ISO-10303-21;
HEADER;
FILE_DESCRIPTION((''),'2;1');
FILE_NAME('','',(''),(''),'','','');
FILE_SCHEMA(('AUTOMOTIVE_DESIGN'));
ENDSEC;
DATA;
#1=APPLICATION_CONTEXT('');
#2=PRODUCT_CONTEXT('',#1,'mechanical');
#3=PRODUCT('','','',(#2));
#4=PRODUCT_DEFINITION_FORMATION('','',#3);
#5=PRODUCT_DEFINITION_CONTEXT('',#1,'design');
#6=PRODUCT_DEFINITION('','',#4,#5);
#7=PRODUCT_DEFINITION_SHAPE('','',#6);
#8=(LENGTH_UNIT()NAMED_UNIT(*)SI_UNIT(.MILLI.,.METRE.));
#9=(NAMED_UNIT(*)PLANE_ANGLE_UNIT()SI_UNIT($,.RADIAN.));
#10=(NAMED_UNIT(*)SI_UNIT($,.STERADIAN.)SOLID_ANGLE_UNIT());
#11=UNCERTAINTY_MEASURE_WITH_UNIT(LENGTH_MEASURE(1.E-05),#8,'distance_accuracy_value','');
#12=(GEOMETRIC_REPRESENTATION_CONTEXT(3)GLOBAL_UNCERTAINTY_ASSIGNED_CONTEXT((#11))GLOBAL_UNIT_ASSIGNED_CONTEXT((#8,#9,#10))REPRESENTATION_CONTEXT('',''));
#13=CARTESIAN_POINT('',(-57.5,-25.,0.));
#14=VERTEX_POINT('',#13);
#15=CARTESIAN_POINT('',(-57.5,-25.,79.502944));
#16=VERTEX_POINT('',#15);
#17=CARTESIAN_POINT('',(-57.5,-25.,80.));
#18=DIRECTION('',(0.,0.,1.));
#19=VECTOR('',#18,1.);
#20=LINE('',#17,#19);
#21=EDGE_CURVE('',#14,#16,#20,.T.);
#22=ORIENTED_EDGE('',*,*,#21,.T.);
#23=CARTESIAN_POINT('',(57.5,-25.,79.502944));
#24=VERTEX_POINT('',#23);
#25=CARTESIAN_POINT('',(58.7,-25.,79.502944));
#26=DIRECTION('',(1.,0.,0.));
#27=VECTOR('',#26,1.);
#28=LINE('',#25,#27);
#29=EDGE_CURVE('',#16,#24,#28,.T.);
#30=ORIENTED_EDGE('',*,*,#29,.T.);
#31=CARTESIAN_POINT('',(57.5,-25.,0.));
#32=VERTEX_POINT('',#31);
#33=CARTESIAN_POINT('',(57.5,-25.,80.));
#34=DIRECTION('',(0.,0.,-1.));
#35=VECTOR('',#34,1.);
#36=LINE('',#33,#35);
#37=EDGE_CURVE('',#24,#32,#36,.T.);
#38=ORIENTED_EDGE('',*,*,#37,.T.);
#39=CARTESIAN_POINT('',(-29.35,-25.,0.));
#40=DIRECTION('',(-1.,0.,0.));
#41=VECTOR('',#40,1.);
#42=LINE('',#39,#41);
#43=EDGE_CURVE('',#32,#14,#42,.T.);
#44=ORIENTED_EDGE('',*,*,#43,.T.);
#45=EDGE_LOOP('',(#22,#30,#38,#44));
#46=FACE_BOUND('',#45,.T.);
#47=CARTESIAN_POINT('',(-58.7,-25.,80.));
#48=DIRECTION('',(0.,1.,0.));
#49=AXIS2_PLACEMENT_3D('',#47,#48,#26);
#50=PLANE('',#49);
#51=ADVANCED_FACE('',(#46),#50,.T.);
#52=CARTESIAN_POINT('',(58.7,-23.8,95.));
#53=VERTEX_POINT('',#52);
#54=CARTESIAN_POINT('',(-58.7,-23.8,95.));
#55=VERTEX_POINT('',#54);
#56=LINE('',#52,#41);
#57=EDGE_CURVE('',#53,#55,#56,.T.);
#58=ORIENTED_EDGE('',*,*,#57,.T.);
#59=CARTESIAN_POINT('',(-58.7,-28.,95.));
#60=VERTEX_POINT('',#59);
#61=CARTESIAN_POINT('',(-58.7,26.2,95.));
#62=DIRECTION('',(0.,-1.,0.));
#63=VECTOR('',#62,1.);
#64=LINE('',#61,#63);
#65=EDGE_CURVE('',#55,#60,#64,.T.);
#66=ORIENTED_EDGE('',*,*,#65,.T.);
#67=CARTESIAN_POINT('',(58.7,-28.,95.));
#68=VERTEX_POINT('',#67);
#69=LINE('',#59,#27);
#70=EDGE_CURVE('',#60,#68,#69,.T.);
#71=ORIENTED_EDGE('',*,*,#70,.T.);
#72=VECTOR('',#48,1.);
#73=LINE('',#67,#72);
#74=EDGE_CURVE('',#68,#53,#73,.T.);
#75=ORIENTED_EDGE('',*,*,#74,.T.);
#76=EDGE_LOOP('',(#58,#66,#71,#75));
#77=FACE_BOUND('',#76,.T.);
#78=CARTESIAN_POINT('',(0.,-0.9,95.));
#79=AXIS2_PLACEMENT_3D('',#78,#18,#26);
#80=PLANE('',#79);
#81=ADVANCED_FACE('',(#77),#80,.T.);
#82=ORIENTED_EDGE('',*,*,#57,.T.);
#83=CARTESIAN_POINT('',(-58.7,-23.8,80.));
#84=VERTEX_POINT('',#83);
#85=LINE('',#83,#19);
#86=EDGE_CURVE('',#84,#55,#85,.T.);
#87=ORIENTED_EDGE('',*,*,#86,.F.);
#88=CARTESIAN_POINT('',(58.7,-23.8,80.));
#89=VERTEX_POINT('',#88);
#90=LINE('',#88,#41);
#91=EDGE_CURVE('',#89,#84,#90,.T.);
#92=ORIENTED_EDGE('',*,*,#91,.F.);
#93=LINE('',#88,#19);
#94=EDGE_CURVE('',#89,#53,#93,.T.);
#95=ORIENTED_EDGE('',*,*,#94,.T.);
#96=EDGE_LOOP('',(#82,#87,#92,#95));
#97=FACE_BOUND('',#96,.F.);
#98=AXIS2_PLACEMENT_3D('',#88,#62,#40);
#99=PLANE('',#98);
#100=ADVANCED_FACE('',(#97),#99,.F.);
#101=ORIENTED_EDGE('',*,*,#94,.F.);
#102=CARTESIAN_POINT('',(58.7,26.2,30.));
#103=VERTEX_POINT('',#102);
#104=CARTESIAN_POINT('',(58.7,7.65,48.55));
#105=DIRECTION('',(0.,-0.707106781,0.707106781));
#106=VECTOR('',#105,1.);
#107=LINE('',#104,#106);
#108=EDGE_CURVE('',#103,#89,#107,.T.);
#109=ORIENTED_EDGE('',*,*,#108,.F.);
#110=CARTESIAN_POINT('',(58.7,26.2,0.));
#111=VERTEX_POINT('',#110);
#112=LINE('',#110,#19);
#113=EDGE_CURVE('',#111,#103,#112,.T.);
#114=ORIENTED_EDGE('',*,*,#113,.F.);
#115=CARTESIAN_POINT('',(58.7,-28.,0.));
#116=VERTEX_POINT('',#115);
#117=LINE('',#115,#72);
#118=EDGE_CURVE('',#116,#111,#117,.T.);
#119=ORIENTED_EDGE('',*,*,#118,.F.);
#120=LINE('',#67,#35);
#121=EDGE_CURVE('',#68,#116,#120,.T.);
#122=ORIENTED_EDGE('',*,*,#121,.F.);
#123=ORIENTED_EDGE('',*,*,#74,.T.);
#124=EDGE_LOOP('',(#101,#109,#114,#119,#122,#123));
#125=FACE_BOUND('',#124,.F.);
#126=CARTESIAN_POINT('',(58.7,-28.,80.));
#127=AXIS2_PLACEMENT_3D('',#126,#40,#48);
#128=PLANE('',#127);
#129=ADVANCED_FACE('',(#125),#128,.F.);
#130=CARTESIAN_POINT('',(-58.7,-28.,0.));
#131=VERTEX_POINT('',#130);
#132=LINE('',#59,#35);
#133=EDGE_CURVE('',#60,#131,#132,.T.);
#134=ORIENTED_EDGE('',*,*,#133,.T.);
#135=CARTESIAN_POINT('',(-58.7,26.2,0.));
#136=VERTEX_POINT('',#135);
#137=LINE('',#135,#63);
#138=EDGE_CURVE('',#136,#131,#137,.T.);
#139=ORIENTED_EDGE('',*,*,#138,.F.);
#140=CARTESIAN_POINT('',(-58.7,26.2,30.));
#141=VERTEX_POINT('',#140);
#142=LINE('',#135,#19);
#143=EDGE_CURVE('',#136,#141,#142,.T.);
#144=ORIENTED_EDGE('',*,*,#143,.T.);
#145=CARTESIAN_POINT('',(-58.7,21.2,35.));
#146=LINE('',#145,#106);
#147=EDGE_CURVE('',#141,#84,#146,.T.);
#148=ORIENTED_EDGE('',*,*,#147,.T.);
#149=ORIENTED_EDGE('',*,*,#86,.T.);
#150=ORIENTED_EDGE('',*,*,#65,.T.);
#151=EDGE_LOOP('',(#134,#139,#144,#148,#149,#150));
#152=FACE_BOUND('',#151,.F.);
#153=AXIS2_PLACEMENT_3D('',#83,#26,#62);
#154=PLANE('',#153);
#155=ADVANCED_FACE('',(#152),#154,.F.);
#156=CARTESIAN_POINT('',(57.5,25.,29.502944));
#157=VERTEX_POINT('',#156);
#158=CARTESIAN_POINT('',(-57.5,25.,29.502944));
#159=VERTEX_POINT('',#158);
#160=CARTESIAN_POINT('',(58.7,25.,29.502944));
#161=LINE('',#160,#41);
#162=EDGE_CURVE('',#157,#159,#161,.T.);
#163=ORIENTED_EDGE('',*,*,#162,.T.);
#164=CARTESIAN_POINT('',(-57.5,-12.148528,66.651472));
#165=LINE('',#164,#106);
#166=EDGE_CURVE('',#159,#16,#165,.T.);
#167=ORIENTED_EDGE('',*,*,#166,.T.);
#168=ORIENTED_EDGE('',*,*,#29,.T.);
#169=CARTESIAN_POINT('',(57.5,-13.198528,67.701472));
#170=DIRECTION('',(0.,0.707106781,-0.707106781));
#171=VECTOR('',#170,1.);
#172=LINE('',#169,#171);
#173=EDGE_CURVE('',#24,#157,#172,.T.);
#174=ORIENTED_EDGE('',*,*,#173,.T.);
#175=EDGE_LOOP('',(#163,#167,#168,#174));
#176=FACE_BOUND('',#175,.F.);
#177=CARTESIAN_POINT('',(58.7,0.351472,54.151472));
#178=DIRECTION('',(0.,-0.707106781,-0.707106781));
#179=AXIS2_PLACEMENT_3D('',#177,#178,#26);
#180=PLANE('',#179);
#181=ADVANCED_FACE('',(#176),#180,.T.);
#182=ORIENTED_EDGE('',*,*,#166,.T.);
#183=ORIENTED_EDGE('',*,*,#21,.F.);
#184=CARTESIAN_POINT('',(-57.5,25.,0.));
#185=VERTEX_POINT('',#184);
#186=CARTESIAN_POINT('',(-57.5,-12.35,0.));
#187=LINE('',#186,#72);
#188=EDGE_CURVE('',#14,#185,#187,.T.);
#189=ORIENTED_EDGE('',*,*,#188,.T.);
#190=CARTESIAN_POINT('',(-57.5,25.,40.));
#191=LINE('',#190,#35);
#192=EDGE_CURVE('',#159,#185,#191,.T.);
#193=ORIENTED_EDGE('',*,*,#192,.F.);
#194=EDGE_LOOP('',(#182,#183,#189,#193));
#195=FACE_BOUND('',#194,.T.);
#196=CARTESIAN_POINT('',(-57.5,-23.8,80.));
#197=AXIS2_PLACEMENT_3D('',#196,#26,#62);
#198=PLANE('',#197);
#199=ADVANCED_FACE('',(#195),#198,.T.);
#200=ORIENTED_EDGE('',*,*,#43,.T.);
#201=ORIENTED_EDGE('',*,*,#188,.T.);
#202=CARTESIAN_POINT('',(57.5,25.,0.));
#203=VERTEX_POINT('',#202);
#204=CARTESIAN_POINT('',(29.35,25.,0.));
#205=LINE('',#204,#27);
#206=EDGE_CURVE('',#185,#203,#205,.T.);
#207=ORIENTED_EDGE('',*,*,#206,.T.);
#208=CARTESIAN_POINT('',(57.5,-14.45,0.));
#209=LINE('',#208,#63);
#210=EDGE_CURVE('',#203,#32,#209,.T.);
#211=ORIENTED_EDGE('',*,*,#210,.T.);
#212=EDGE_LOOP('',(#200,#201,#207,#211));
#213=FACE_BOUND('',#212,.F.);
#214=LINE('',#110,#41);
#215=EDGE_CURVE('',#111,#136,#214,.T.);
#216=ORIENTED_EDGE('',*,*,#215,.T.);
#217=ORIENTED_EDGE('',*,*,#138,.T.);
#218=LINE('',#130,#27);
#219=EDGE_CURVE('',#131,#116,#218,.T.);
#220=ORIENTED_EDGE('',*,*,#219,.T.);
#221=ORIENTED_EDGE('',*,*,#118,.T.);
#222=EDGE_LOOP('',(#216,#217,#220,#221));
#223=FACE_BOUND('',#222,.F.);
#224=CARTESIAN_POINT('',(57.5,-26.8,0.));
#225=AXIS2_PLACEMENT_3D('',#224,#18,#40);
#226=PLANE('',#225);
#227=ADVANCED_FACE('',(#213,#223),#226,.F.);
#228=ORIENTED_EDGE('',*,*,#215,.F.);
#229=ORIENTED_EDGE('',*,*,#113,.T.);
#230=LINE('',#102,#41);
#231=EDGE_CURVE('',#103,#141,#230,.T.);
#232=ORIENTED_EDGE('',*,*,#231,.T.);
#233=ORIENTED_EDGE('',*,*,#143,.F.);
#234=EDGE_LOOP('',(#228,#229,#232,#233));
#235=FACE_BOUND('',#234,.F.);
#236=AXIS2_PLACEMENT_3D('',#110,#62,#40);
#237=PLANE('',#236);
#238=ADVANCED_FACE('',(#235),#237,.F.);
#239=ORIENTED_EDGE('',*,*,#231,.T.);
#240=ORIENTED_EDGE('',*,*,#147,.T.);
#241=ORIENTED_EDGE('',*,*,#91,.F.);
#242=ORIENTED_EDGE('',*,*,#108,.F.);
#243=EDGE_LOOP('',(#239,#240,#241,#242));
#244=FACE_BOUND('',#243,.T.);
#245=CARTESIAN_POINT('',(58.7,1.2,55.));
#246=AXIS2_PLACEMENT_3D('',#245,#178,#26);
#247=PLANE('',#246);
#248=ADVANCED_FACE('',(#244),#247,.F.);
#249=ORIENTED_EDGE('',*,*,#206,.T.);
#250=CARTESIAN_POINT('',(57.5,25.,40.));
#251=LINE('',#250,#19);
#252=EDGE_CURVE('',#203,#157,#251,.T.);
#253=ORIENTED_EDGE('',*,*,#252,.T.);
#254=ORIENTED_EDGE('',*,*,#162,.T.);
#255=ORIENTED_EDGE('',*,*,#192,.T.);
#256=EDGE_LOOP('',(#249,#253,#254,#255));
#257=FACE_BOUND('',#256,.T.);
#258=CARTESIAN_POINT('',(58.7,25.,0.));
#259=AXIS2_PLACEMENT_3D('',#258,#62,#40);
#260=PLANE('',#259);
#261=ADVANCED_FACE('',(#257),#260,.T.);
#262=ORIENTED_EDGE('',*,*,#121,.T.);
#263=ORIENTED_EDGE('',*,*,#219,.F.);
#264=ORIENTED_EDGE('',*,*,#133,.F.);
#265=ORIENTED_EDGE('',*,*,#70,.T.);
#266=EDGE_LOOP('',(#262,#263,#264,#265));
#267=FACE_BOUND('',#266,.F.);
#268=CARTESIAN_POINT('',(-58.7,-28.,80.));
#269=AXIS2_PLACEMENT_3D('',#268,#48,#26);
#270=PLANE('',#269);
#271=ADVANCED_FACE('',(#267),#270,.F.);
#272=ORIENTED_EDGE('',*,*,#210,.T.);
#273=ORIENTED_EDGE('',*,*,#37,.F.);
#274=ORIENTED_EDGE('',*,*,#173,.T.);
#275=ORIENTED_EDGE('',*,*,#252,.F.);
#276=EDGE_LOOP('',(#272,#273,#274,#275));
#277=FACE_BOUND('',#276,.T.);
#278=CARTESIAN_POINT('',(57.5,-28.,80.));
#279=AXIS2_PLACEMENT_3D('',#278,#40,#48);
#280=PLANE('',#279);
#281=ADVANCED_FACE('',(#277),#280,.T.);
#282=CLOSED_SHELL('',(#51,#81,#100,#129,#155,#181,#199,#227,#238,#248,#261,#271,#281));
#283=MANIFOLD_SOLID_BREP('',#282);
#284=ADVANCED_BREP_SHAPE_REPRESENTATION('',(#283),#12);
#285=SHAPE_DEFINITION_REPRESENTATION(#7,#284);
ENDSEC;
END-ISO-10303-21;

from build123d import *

# Parameters (mm, degrees)
F0_W     = 115
F0_H     = 50
F1_DEPTH = 80
F2_SIZE  = 50
F3_DEPTH = 15
F4_T     = -1.2
F5_DEPTH = 1.8


with BuildPart() as f1:
    # F0 (on Top) → F1 (new body)
    with BuildSketch(Plane.XY):
        Polygon((58.7, -28), (58.7, -25), (58.7, 26.2), (-58.7, 26.2), (-58.7, -25), (-58.7, -28), (-57.5, -28), (57.5, -28), align=None)
        Rectangle(F0_W, F0_H, mode=Mode.SUBTRACT)
        Rectangle(F0_W, F0_H)
    extrude(amount=F1_DEPTH)

    # F2
    f2_edges = [f1.edges().sort_by_distance(p)[0] for p in [
        (0, 26.2, 80),
    ]]
    chamfer(f2_edges, length=F2_SIZE)

    # F3 (add): a face of the model
    f3_faces = [f1.faces().sort_by_distance(p)[0] for p in [
        (0, -25.9, 80),
    ]]
    extrude(f3_faces, amount=F3_DEPTH)

    # F4
    f4_openings = [f1.faces().sort_by_distance(p)[0] for p in [
        (0, -0.9, 0),
    ]]
    offset(amount=F4_T, openings=f4_openings, kind=Kind.INTERSECTION)

    # F5 (add): a face of the model
    f5_faces = [f1.faces().sort_by_distance(p)[0] for p in [
        (0, -26.8, 46.9),
    ]]
    extrude(f5_faces, amount=F5_DEPTH)


solid = f1.part
